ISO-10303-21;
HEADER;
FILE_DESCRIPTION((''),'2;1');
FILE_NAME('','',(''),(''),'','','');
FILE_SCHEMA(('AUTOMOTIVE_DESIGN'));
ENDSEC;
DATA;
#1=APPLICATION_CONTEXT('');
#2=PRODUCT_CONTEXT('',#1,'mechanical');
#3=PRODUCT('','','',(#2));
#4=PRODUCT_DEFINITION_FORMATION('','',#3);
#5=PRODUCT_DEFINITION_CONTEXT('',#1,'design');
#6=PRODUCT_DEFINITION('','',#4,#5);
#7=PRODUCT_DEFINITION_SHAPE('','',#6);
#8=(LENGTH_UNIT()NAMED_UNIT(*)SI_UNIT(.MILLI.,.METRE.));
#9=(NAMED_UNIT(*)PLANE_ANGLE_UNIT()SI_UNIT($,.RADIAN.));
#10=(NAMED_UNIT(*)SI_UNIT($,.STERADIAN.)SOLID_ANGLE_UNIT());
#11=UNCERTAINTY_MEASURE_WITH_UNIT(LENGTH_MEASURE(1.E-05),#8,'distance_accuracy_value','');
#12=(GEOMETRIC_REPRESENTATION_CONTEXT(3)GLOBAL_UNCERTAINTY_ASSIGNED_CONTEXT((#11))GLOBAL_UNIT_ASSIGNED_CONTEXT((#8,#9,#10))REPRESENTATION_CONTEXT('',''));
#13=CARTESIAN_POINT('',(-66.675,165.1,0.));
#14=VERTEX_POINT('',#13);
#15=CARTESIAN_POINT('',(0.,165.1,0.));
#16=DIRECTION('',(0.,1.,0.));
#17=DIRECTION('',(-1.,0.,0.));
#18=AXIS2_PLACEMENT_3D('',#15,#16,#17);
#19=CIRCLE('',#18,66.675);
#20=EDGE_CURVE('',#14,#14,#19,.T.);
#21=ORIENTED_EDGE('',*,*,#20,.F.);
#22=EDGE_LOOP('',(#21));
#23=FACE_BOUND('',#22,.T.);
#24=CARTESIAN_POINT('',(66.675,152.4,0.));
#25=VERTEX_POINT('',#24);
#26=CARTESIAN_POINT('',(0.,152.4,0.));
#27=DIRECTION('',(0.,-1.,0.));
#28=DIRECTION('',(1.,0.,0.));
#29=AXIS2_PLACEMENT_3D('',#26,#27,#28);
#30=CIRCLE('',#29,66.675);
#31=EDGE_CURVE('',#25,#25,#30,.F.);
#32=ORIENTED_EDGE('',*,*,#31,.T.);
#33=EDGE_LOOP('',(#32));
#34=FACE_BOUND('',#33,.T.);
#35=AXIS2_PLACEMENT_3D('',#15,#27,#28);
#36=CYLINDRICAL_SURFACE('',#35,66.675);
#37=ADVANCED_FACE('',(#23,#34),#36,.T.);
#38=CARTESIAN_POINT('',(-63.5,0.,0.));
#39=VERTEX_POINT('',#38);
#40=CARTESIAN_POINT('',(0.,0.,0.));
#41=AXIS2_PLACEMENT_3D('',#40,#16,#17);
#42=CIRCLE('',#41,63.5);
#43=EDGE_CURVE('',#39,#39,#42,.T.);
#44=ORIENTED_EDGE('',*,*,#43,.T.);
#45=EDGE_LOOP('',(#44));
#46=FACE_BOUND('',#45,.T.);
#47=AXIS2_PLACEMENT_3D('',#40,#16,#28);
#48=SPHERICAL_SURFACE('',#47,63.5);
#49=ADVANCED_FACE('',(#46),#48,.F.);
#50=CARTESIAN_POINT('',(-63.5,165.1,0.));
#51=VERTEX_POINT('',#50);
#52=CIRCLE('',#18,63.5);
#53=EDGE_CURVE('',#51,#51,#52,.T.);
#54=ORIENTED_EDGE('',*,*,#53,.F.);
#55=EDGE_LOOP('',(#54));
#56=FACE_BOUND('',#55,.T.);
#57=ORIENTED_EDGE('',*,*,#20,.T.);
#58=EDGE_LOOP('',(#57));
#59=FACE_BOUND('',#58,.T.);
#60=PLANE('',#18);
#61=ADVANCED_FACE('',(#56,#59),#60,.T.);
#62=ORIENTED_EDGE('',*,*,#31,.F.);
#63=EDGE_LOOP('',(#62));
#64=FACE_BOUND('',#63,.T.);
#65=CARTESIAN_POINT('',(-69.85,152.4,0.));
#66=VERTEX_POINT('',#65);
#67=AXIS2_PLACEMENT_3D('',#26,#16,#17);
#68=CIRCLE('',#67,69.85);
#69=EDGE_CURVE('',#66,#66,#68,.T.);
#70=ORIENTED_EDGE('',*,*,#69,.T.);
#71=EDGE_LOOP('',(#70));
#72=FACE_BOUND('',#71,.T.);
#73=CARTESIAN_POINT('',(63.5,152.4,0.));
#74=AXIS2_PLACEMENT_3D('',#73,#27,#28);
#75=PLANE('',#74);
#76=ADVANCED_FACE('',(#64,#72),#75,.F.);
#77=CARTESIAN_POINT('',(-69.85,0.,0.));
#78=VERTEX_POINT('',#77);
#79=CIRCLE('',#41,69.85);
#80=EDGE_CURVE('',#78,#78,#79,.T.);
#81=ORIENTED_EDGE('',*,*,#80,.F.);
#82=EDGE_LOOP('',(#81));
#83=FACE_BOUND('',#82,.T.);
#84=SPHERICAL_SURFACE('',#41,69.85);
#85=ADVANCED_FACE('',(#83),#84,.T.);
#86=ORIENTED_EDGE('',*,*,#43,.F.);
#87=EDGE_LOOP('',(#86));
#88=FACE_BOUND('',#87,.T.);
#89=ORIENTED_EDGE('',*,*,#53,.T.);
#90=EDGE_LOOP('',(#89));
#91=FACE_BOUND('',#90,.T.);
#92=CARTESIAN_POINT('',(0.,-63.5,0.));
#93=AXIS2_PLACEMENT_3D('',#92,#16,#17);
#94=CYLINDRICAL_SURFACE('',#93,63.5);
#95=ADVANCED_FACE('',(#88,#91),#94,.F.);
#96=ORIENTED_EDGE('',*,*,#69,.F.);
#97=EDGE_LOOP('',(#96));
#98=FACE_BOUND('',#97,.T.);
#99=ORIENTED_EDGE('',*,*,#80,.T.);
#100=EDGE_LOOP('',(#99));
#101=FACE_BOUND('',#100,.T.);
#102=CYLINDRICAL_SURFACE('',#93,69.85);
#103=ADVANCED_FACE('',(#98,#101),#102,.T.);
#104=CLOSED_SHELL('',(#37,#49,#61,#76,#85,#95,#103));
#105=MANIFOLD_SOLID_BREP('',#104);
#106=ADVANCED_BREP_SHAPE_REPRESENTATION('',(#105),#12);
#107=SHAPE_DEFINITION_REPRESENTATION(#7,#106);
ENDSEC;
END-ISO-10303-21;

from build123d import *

# Parameters (mm, degrees)
SKETCH3_R           = 69.85
CUT_EXTRUDE1_DEPTH  = 12.7
SKETCH4_R           = 66.675
SKETCH4_R_2         = 63.5
BOSS_EXTRUDE2_DEPTH = 12.7
SKETCH5_R           = 68.2625
SKETCH5_R_2         = 66.675
BOSS_EXTRUDE3_DEPTH = 9.525
SKETCH7_R           = 68.2625
SKETCH7_R_2         = 66.675
CUT_EXTRUDE2_DEPTH  = 1.5875
SKETCH12_R          = 68.2625
SKETCH12_R_2        = 66.675
CUT_EXTRUDE3_DEPTH  = 7.9375


with BuildPart() as part:
    # Sketch1 → Revolve1 (revolve)
    with BuildSketch(Plane.XY):
        with BuildLine():
            Line((63.5, 0), (63.5, 152.4))
            Line((63.5, 152.4), (66.675, 152.4))
            Line((66.675, 152.4), (66.675, 165.1))
            Line((66.675, 165.1), (69.85, 165.1))
            Line((69.85, 165.1), (69.85, 152.4))
            Line((69.85, 152.4), (69.85, 0))
            ThreePointArc((69.85, 0), (49.391408666, -49.391408666), (0, -69.85))
            Line((0, -69.85), (0, -63.5))
            ThreePointArc((0, -63.5), (44.901280605, -44.901280605), (63.5, 0))
        make_face()
    revolve(axis=Axis((0, -63.5, 0), (0, -1, 0)))

    # Sketch3 → Cut-Extrude1 (cut)
    with BuildSketch(Plane(origin=(0, 165.1, 0), x_dir=(1, 0, 0), z_dir=(0, 1, 0))):
        Circle(SKETCH3_R)
    extrude(amount=-CUT_EXTRUDE1_DEPTH, mode=Mode.SUBTRACT)

    # Sketch4 → Boss-Extrude2 (add)
    with BuildSketch(Plane(origin=(0, 152.4, 0), x_dir=(1, 0, 0), z_dir=(0, 1, 0))):
        Circle(SKETCH4_R)
        Circle(SKETCH4_R_2, mode=Mode.SUBTRACT)
    extrude(amount=BOSS_EXTRUDE2_DEPTH)

    # Sketch5 → Boss-Extrude3 (add)
    with BuildSketch(Plane(origin=(0, 165.1, 0), x_dir=(1, 0, 0), z_dir=(0, 1, 0))):
        Circle(SKETCH5_R)
        Circle(SKETCH5_R_2, mode=Mode.SUBTRACT)
    extrude(amount=-BOSS_EXTRUDE3_DEPTH)

    # Sketch7 → Cut-Extrude2 (cut)
    with BuildSketch(Plane(origin=(0, 165.1, 0), x_dir=(1, 0, 0), z_dir=(0, 1, 0))):
        Circle(SKETCH7_R)
        Circle(SKETCH7_R_2, mode=Mode.SUBTRACT)
    extrude(amount=-CUT_EXTRUDE2_DEPTH, mode=Mode.SUBTRACT)

    # Sketch12 → Cut-Extrude3 (cut)
    with BuildSketch(Plane(origin=(0, 163.5125, 0), x_dir=(1, 0, 0), z_dir=(0, 1, 0))):
        Circle(SKETCH12_R)
        Circle(SKETCH12_R_2, mode=Mode.SUBTRACT)
    extrude(amount=-CUT_EXTRUDE3_DEPTH, mode=Mode.SUBTRACT)


solid = part.part
